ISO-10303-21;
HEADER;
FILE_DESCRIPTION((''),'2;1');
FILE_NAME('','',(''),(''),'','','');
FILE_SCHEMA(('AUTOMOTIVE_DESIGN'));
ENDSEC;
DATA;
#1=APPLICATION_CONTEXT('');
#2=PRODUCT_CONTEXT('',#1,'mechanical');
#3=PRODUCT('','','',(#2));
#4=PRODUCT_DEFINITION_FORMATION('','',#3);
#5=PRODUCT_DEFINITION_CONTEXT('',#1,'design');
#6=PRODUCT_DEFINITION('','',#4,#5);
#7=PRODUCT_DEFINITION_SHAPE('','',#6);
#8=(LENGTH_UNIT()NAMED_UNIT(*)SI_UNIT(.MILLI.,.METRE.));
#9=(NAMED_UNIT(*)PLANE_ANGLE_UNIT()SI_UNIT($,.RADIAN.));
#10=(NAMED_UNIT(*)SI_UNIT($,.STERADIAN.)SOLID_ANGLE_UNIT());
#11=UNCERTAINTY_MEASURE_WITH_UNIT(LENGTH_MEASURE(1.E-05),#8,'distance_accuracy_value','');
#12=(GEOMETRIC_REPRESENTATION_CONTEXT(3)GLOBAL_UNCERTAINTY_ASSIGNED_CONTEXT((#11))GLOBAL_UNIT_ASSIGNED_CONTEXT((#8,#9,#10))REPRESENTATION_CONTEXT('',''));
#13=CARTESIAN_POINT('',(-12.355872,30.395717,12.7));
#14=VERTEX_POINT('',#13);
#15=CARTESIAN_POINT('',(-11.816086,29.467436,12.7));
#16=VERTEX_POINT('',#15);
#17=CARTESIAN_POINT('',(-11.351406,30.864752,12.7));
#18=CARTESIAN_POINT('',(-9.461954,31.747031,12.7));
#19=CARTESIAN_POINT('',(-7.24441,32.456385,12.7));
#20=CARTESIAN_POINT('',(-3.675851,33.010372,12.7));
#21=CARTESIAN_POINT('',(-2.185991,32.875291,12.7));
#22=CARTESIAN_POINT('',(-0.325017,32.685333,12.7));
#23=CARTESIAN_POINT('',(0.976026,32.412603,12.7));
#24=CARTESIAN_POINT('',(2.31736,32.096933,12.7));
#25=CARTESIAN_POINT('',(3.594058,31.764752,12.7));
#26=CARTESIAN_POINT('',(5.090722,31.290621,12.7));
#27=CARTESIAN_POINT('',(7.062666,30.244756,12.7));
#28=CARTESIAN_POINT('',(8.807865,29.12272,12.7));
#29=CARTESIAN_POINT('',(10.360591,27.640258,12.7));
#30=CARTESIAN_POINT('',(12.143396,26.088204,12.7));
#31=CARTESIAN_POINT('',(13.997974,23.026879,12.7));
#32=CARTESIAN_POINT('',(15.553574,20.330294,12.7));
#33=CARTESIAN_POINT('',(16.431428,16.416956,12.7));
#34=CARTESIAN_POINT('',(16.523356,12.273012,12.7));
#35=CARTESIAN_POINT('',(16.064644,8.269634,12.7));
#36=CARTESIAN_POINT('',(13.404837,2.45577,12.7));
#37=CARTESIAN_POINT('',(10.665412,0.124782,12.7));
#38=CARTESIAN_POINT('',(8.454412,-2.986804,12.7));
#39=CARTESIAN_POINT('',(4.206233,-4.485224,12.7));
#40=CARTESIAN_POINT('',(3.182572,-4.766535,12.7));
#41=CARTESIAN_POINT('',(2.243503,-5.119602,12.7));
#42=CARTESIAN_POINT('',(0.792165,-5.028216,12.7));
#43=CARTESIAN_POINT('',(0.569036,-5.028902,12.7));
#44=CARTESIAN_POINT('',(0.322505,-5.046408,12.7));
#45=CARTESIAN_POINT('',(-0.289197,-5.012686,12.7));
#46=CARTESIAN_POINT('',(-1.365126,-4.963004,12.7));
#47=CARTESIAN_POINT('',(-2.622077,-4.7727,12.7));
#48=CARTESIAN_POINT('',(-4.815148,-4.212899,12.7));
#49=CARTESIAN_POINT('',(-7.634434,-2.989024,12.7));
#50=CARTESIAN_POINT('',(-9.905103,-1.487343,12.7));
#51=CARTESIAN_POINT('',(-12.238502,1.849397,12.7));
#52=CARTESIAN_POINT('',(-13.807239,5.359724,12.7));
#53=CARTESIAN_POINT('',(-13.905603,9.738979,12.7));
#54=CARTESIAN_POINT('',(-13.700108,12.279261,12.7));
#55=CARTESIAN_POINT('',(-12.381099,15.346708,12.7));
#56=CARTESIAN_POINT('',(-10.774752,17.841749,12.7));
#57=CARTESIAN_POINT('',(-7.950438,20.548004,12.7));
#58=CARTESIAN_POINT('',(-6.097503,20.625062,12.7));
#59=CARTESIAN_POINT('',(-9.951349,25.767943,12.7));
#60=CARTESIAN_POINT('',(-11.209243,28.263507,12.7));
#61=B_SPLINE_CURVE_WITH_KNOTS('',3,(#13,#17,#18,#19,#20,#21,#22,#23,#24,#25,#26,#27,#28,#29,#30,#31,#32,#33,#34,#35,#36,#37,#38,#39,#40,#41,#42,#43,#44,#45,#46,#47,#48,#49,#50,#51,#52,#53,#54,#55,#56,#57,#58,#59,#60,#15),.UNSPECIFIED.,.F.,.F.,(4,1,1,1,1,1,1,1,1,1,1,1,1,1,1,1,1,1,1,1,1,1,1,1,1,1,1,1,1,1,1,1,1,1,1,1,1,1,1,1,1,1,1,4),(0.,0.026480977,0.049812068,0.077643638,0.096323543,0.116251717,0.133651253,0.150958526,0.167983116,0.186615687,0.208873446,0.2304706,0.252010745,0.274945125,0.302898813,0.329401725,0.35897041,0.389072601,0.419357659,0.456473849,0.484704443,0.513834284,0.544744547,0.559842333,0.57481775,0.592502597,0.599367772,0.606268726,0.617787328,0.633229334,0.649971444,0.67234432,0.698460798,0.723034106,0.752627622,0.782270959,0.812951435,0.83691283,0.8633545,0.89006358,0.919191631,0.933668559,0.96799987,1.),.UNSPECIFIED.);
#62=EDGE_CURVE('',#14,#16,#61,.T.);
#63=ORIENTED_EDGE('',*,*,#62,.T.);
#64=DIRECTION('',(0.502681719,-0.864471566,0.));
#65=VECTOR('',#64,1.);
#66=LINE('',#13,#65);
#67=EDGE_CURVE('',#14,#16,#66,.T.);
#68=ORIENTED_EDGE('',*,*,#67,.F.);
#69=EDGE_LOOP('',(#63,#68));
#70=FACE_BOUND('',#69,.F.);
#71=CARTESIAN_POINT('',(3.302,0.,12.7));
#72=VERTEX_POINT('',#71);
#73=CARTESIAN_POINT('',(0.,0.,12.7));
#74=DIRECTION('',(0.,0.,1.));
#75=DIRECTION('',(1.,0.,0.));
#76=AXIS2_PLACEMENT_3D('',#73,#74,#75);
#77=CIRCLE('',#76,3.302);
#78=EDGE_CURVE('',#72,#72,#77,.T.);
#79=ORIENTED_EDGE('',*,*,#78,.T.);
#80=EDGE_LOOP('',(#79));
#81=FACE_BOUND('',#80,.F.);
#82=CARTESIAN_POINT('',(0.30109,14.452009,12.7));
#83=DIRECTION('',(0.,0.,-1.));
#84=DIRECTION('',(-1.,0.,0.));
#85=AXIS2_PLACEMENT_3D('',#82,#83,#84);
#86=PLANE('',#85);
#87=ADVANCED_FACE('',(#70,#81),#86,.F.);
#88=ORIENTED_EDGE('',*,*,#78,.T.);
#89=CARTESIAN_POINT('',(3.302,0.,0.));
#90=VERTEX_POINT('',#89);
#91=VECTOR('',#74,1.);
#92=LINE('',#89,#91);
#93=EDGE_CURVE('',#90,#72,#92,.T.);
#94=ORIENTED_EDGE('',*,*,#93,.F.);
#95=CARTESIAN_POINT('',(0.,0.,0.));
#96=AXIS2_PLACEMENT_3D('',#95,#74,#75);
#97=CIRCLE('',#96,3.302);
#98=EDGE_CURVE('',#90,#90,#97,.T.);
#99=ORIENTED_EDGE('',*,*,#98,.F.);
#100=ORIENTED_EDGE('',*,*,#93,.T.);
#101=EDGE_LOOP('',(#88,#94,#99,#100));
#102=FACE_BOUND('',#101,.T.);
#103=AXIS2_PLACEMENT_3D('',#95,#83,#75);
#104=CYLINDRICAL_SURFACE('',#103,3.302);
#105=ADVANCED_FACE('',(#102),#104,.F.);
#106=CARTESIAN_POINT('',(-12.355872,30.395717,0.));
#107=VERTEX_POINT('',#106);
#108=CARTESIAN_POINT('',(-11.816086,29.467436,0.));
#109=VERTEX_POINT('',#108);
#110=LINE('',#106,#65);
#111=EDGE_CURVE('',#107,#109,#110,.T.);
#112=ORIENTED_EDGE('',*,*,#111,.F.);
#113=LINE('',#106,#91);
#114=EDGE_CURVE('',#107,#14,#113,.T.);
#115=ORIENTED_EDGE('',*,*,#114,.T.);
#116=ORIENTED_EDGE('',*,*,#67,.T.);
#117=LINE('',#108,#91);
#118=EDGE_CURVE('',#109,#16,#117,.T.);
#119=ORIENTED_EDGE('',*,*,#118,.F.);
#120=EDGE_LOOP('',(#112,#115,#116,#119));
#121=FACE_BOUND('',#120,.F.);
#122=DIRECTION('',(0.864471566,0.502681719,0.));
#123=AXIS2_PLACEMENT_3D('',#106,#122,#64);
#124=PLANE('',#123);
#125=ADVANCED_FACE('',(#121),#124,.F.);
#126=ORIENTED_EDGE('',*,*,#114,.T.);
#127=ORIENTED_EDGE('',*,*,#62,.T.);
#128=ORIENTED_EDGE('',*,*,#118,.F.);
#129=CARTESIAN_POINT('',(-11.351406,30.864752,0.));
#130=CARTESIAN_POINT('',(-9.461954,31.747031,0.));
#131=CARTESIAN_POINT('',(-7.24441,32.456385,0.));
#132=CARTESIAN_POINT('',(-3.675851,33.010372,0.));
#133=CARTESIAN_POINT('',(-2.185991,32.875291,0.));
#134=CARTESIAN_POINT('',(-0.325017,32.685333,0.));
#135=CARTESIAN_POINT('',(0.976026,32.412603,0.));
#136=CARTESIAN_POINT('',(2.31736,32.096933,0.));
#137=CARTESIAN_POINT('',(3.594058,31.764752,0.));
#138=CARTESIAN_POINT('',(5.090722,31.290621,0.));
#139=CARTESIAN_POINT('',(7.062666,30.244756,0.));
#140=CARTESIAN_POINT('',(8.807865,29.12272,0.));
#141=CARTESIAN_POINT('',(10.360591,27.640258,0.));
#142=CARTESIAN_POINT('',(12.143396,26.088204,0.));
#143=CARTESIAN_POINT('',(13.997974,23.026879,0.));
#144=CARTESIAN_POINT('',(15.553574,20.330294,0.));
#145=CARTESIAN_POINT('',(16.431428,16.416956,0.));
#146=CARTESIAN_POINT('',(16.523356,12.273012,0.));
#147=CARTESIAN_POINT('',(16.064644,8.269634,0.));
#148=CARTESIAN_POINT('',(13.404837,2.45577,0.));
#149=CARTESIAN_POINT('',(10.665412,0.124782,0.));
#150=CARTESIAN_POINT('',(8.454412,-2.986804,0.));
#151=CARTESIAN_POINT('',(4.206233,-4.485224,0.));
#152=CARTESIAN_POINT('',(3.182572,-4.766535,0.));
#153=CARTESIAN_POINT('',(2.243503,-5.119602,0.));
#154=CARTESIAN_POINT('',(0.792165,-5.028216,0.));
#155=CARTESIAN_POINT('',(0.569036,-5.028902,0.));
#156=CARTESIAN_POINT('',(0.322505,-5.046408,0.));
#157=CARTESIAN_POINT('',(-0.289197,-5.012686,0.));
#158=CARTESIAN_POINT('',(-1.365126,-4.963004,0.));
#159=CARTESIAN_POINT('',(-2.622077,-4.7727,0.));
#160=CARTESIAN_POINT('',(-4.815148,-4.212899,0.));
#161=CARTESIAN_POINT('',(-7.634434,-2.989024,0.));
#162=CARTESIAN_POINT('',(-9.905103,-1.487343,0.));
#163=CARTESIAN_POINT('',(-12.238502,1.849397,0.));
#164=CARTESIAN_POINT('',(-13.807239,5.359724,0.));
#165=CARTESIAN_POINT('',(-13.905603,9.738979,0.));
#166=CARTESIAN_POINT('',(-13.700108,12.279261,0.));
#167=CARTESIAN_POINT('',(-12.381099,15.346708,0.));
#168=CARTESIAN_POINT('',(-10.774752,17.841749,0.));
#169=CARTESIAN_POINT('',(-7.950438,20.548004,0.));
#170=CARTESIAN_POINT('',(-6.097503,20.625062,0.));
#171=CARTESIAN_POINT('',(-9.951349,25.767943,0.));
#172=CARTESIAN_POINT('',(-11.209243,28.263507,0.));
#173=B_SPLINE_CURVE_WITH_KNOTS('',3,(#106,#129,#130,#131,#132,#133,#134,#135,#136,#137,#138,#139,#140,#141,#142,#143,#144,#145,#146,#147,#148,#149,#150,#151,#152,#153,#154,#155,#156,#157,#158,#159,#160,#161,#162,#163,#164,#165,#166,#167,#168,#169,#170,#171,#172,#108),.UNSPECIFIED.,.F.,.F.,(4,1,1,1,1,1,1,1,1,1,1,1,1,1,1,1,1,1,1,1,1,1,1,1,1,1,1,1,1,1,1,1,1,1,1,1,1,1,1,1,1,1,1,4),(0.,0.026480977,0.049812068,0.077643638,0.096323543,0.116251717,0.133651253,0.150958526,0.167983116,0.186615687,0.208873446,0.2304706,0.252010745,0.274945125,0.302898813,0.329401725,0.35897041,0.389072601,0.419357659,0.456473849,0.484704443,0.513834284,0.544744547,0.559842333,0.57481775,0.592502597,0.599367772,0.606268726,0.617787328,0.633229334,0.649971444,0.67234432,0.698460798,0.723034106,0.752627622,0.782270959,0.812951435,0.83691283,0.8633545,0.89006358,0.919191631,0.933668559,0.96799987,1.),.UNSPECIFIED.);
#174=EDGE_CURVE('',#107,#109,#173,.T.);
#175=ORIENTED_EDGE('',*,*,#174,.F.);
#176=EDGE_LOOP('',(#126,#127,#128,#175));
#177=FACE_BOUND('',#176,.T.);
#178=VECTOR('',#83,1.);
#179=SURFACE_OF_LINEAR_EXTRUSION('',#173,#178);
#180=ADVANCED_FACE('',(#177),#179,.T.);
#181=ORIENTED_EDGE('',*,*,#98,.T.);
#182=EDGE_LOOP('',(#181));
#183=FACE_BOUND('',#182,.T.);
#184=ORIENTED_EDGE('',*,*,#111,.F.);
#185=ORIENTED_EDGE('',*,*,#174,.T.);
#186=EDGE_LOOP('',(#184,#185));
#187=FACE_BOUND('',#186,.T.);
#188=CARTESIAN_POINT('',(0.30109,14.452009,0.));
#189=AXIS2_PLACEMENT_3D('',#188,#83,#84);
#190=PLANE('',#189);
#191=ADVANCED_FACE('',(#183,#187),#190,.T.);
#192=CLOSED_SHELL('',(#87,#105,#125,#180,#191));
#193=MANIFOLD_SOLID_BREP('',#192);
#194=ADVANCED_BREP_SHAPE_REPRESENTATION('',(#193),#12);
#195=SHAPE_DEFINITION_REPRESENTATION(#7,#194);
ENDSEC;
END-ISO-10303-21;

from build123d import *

# Parameters (mm, degrees)
F0_R     = 3.302
F1_DEPTH = 12.7


with BuildPart() as f1:
    # F0 (on Top) → F1 (new body)
    with BuildSketch(Plane.XY):
        with BuildLine():
            add(Edge.make_bspline(
                [(-12.3558722991, 30.3957169038), (-11.351406124, 30.8647520019), (-9.4619540228, 31.7470309414), (-7.2444095564, 32.4563853444), (-3.6758509397, 33.010372352), (-2.1859909733, 32.8752911537), (-0.3250174324, 32.6853326118), (0.9760262988, 32.4126033451), (2.3173595885, 32.0969329052), (3.5940577198, 31.7647520017), (5.0907221822, 31.2906211963), (7.0626661997, 30.2447564502), (8.8078649305, 29.1227199029), (10.3605910117, 27.6402575815), (12.1433960885, 26.0882038671), (13.9979737334, 23.0268786159), (15.5535740699, 20.3302944361), (16.4314276695, 16.4169560778), (16.5233562859, 12.2730120427), (16.0646439554, 8.2696335738), (13.4048372323, 2.4557698356), (10.6654117139, 0.1247821198), (8.4544124882, -2.9868041339), (4.2062334558, -4.4852244987), (3.1825722363, -4.7665350042), (2.2435031352, -5.119602162), (0.7921645086, -5.0282157969), (0.5690358309, -5.0289022504), (0.322504875, -5.0464076474), (-0.2891966098, -5.0126857436), (-1.3651262118, -4.9630035929), (-2.6220765784, -4.7726995138), (-4.8151482886, -4.2128985749), (-7.6344336854, -2.9890238898), (-9.9051032346, -1.4873428281), (-12.2385019793, 1.8493973006), (-13.807238696, 5.3597237817), (-13.9056027592, 9.7389785784), (-13.7001076908, 12.2792607296), (-12.3810990837, 15.3467083857), (-10.7747523407, 17.8417486535), (-7.950437865, 20.5480039888), (-6.097502655, 20.6250618333), (-9.9513485452, 25.7679431136), (-11.2092428373, 28.2635066643), (-11.8160859822, 29.4674358361)],
                knots=[0, 0, 0, 0, 0.0264809769, 0.049812068, 0.0776436375, 0.0963235434, 0.1162517172, 0.1336512533, 0.150958526, 0.1679831157, 0.1866156872, 0.2088734463, 0.2304705996, 0.2520107453, 0.2749451248, 0.3028988127, 0.3294017249, 0.3589704096, 0.3890726007, 0.4193576588, 0.456473849, 0.4847044434, 0.5138342841, 0.5447445472, 0.5598423333, 0.5748177502, 0.5925025973, 0.599367772, 0.6062687262, 0.6177873276, 0.6332293338, 0.6499714437, 0.6723443196, 0.6984607976, 0.7230341061, 0.7526276223, 0.7822709586, 0.8129514351, 0.8369128296, 0.8633545005, 0.89006358, 0.9191916309, 0.9336685587, 0.9679998703, 1, 1, 1, 1], degree=3))
            Line((-12.3558722991, 30.3957169038), (-11.8160859822, 29.4674358361))
        make_face()
        Circle(F0_R, mode=Mode.SUBTRACT)
    extrude(amount=F1_DEPTH)


solid = f1.part
